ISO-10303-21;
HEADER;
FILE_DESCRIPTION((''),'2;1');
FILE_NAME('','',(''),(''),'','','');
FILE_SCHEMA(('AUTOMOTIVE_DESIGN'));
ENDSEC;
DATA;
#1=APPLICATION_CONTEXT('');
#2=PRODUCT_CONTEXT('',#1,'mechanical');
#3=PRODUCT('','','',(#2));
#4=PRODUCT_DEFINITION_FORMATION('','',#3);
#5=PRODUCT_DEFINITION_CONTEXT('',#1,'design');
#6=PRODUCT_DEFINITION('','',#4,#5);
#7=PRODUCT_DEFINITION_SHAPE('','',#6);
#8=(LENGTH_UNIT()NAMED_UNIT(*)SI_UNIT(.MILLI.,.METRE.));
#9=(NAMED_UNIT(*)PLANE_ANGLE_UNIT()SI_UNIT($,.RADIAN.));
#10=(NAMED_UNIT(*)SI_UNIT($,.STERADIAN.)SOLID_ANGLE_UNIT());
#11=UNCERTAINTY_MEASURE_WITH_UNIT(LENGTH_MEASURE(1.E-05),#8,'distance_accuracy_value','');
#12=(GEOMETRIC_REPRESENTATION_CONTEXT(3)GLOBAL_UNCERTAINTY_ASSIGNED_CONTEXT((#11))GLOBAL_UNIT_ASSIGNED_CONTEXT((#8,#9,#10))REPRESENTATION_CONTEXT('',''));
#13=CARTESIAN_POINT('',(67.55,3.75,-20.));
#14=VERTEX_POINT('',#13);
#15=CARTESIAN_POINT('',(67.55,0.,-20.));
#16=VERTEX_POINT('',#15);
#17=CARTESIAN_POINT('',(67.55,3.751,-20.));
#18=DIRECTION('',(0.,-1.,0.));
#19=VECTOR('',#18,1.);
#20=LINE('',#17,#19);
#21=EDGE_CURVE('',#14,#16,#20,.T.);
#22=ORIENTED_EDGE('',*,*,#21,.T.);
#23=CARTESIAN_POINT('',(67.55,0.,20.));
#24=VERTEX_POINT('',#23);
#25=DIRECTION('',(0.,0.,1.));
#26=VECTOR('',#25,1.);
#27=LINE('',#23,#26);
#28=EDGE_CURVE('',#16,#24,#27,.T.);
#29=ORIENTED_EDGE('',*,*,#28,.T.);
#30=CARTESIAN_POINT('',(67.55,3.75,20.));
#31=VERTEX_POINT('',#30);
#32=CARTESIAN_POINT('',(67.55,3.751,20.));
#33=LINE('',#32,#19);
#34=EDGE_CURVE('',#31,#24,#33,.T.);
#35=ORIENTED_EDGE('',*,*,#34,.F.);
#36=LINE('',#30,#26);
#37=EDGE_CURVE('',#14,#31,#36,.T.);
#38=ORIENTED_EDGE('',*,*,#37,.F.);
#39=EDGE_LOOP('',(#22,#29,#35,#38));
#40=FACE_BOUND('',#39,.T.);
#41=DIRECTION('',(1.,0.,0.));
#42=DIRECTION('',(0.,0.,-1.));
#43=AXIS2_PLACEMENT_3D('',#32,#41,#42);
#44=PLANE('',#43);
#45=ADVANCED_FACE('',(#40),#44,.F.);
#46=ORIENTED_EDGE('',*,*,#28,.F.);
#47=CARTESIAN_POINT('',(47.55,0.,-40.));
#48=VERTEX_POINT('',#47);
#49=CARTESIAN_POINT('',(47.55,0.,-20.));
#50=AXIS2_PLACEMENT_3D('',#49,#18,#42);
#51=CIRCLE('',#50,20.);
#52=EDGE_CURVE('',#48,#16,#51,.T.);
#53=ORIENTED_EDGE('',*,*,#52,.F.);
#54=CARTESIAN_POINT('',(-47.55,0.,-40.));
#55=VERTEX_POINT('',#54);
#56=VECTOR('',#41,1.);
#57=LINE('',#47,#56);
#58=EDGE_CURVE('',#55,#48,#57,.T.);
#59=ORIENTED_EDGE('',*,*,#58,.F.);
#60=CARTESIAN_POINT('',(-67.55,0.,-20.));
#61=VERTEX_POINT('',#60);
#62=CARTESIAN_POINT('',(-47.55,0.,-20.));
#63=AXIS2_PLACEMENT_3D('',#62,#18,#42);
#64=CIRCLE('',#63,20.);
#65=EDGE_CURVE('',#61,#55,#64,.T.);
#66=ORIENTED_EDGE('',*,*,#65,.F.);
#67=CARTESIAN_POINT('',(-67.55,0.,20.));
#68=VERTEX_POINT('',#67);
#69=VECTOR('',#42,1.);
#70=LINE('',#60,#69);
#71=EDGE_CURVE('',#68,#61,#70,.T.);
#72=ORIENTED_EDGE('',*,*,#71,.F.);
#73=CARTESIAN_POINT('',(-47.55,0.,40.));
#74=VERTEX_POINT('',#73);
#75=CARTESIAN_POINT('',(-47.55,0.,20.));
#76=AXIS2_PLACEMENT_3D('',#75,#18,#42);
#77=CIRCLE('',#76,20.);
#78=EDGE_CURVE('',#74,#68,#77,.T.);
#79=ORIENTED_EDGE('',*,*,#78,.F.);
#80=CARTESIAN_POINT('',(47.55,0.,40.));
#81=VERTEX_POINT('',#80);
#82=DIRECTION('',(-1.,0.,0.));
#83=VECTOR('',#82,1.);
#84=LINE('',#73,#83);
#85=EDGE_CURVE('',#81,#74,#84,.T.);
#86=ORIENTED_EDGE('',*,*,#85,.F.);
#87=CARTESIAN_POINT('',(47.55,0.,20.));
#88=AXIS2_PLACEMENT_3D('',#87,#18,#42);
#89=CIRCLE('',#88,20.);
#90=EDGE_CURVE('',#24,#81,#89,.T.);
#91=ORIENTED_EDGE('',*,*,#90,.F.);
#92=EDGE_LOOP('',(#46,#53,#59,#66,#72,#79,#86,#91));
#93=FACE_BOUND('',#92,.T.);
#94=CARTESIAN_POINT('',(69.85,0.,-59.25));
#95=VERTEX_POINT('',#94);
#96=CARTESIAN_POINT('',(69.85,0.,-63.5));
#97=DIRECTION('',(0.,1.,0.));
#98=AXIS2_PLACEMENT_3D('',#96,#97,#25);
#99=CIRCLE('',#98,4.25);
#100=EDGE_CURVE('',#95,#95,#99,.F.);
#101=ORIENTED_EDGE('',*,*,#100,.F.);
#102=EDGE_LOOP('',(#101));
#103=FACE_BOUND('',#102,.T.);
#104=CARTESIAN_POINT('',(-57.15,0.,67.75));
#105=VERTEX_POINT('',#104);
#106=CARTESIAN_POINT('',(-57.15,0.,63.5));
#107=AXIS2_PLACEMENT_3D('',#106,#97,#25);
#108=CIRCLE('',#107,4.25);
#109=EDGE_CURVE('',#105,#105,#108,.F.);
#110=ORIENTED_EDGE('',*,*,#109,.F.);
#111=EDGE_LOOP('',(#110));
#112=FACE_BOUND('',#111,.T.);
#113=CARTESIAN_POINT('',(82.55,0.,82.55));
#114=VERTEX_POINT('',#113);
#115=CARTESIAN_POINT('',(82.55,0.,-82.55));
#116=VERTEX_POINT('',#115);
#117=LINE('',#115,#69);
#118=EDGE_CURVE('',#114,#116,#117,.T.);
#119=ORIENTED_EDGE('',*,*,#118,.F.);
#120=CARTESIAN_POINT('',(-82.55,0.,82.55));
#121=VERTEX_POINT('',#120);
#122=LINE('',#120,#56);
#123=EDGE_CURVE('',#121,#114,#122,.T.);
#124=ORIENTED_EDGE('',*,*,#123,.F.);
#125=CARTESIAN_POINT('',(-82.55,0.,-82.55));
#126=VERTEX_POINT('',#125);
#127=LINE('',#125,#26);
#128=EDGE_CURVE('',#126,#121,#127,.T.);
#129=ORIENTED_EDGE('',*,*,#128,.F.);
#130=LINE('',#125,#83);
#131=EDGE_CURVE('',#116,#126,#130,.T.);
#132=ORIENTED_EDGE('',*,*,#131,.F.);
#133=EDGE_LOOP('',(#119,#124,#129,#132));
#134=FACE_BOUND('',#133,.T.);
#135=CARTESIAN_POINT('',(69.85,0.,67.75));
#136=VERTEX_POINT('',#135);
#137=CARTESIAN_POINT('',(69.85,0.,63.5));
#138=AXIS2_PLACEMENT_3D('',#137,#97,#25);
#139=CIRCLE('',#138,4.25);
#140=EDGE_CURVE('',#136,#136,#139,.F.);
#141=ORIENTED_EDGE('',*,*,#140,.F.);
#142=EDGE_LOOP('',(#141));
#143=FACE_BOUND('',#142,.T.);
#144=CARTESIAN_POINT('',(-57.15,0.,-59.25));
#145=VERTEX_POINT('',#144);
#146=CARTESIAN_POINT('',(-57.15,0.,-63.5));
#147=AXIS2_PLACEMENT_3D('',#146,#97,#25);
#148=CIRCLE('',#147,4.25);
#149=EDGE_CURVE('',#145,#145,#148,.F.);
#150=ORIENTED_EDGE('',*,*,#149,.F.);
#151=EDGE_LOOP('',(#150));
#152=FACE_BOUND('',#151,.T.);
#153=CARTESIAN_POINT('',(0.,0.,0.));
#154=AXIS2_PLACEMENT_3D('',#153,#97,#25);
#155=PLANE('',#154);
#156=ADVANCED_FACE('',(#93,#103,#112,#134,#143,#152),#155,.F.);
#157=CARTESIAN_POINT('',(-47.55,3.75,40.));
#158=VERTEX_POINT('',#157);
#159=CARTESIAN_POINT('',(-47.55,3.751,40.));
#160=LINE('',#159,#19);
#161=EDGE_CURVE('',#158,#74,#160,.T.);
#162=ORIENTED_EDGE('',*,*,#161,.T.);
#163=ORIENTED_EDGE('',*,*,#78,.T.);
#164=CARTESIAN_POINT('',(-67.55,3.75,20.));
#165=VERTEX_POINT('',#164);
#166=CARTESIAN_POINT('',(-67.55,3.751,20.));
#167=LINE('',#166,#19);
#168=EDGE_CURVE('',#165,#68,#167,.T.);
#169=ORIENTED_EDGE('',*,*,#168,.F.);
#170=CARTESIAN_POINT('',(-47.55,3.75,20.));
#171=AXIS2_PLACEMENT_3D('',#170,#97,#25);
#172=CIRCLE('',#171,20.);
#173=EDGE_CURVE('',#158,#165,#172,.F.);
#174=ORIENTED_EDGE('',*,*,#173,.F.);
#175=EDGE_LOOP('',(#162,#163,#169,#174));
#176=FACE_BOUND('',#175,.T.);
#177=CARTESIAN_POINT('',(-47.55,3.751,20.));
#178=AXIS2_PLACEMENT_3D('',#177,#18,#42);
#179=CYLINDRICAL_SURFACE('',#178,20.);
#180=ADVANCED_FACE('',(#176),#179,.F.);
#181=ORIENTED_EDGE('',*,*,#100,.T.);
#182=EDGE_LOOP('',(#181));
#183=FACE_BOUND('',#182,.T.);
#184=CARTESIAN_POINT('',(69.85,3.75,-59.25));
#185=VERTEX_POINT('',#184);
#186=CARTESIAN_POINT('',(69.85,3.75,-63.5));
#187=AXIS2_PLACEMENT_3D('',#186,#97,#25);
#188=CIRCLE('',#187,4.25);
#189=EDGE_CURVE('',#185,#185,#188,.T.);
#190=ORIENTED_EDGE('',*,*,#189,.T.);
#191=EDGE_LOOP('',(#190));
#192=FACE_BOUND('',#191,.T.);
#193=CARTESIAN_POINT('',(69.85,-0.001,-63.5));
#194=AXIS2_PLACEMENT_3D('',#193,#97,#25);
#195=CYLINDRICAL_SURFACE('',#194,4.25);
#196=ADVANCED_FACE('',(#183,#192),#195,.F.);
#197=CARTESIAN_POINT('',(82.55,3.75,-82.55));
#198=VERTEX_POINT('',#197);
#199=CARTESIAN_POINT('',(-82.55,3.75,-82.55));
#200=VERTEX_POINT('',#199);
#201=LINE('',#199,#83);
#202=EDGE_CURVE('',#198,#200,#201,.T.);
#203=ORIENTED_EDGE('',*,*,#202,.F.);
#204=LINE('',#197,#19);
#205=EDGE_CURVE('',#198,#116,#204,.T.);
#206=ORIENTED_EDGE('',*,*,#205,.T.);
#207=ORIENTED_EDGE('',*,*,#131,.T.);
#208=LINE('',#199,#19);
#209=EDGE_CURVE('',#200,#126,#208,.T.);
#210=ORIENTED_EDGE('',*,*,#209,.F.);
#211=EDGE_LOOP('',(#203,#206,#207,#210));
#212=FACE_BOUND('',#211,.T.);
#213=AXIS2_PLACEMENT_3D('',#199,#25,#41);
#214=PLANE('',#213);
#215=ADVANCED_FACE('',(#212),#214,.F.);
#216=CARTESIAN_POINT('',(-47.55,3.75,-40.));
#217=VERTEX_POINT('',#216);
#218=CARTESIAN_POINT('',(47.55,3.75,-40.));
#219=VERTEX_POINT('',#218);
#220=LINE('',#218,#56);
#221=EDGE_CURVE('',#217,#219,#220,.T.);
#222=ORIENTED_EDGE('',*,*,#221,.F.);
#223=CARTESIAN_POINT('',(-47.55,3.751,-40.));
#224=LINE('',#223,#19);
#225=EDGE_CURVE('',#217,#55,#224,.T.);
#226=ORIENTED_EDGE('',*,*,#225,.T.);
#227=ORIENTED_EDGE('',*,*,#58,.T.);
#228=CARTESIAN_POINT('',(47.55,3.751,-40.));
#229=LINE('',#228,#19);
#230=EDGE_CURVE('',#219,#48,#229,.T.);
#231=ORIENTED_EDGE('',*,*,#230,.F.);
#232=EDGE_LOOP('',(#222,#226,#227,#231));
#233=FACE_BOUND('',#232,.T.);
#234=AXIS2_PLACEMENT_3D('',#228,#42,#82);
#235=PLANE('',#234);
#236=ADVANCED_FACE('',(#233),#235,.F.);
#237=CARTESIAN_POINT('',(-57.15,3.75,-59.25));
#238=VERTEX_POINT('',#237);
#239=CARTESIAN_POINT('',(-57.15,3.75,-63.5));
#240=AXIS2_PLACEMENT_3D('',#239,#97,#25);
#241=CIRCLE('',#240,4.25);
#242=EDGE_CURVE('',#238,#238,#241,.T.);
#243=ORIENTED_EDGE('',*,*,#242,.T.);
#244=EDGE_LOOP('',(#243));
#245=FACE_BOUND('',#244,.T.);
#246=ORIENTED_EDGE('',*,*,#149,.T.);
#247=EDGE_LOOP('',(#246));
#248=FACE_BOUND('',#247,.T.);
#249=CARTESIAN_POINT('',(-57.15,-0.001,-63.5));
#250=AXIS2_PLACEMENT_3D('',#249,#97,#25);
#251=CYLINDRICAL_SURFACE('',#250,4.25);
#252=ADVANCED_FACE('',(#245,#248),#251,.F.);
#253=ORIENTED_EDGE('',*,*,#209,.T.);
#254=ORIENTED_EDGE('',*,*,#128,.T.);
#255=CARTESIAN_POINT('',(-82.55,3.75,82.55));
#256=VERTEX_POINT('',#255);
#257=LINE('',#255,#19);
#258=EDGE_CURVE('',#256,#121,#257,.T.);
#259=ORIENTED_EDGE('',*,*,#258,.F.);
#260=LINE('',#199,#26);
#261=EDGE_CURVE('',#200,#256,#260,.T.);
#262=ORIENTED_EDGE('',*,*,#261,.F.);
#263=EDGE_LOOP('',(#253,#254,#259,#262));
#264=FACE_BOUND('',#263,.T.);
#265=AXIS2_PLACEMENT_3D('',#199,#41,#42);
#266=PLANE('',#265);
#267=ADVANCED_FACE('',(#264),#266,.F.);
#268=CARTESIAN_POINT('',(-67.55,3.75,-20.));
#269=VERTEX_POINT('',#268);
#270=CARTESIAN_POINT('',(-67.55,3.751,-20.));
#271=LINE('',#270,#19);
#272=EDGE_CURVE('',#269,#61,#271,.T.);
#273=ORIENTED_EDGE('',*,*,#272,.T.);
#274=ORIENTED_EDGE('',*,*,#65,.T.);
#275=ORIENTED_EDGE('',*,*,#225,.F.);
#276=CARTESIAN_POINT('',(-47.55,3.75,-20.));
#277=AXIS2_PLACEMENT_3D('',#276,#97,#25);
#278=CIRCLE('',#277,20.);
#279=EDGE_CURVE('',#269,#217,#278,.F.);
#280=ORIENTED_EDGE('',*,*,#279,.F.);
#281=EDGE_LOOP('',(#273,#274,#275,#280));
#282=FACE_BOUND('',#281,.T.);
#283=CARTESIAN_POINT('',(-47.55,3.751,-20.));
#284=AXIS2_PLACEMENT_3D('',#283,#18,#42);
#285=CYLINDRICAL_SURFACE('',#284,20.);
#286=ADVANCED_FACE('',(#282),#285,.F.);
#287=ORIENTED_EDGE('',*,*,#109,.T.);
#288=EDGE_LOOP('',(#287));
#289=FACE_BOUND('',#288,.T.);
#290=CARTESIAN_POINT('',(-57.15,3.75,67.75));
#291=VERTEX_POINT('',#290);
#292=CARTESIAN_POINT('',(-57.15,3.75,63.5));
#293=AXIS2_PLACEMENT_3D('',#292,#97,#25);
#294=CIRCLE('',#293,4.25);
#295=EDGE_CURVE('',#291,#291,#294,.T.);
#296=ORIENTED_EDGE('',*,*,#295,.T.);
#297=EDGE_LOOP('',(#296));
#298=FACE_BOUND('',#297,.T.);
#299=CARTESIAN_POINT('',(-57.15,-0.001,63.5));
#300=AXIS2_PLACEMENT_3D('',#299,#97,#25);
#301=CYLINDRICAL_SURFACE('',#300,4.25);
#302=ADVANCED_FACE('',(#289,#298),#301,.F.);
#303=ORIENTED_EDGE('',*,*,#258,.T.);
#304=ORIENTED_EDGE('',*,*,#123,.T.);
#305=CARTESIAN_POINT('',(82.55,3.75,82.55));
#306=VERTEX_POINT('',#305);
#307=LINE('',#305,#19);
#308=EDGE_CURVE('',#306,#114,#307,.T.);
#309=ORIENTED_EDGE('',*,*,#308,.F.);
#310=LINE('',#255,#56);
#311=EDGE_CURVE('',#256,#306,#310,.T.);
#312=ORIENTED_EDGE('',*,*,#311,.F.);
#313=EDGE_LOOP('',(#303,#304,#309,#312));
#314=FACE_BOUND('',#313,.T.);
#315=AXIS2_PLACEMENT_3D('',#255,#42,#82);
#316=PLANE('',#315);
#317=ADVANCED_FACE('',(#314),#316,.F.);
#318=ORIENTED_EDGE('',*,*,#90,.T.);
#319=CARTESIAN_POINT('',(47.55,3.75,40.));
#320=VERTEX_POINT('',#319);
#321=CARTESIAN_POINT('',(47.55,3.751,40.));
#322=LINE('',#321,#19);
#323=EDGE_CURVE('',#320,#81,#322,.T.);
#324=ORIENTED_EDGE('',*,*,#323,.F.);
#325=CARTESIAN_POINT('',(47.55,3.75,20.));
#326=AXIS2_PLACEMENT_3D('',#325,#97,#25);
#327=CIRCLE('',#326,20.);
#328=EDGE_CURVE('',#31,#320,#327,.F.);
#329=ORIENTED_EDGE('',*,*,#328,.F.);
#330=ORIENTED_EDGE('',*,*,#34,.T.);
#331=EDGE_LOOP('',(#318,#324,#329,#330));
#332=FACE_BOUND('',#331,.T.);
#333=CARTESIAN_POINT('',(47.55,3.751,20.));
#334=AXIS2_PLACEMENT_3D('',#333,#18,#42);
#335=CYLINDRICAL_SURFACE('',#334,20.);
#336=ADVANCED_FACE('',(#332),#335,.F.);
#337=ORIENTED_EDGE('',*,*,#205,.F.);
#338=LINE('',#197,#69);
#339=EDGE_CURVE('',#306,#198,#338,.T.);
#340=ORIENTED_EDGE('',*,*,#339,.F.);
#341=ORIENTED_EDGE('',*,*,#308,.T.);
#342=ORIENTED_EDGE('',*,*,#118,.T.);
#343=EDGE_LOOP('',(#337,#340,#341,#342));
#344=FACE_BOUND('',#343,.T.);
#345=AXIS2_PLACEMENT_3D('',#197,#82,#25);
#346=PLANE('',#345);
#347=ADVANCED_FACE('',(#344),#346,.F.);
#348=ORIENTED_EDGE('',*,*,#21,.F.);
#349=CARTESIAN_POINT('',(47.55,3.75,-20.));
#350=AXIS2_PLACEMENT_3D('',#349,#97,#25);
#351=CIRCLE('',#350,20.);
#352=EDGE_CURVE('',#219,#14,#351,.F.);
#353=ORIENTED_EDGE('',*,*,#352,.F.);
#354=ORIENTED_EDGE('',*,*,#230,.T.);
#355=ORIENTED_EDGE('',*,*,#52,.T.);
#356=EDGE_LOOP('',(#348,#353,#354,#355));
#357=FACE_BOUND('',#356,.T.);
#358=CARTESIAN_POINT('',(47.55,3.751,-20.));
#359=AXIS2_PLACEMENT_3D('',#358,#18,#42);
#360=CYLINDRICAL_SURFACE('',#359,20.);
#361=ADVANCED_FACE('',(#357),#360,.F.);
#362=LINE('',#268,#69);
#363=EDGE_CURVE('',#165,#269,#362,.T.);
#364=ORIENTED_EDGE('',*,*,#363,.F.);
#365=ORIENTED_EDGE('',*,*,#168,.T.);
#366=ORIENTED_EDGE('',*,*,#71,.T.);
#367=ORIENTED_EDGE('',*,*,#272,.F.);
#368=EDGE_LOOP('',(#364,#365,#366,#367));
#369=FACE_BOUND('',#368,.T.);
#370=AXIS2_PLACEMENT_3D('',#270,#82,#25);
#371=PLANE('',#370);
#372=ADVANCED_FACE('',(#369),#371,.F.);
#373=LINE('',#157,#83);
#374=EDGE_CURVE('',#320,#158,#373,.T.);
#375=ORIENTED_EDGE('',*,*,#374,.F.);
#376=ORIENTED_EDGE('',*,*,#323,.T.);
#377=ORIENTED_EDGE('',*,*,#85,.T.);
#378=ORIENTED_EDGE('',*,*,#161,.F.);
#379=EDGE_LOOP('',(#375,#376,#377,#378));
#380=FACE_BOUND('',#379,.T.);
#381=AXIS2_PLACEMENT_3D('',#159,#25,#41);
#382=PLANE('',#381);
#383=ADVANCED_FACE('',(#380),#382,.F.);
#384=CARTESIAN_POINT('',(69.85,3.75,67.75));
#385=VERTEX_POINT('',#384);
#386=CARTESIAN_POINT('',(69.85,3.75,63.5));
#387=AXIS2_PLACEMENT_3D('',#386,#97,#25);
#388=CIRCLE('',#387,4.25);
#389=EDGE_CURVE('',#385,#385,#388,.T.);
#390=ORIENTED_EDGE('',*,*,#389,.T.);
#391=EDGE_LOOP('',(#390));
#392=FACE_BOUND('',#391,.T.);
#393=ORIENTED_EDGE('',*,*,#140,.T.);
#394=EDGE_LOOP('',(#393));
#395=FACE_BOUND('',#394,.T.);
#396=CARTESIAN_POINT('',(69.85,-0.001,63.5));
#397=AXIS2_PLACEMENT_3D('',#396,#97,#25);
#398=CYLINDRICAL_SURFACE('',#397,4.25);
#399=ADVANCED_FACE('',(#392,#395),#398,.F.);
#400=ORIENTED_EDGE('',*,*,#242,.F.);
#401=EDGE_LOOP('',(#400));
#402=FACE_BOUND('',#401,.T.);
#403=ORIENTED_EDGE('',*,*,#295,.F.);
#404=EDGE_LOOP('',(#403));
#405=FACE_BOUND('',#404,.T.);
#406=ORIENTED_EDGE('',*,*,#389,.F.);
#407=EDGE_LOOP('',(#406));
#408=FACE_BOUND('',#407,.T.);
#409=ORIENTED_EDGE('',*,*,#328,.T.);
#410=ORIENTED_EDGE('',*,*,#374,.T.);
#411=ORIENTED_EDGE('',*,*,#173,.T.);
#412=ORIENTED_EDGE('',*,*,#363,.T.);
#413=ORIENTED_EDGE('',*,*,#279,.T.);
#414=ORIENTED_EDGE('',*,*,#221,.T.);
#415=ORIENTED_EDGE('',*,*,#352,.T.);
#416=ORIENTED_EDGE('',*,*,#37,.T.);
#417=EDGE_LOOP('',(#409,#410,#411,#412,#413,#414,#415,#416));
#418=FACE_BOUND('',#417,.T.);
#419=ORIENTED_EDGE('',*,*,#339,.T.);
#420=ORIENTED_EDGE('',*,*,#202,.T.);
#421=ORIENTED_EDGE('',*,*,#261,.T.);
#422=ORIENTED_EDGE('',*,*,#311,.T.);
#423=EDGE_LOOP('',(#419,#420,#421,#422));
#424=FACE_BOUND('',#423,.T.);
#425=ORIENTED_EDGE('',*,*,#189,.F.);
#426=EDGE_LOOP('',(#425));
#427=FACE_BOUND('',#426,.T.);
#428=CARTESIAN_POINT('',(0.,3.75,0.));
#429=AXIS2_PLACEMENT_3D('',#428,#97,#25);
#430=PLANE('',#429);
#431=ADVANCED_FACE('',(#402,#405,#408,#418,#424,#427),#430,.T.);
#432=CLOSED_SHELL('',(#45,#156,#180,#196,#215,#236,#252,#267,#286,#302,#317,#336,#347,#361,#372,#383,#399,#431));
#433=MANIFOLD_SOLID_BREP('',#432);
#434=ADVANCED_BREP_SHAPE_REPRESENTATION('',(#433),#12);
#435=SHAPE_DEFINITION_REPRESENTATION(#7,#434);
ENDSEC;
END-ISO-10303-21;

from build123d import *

# Parameters (mm, degrees)
SKETCH1_W           = 165.1
SKETCH1_H           = 165.1
BOSS_EXTRUDE1_DEPTH = 3.75
CUT_EXTRUDE1_REACH  = 118.804
SKETCH2_R           = 4.25
CUT_EXTRUDE2_REACH  = 118.804


with BuildPart() as part:
    # Sketch1 → Boss-Extrude1 (new body)
    with BuildSketch(Plane(origin=(0, 0, 0), x_dir=(1, 0, 0), z_dir=(0, 1, 0))):
        Rectangle(SKETCH1_W, SKETCH1_H)
    extrude(amount=BOSS_EXTRUDE1_DEPTH)

    # Sketch2 → Cut-Extrude1 (cut, up to next)
    with BuildSketch(Plane(origin=(0, 3.75, 0), x_dir=(1, 0, 0), z_dir=(0, 1, 0)), mode=Mode.PRIVATE) as cut_extrude1_sk1:
        with Locations(Location((69.85, 63.5, 0), (0, 0, 270))):
            Circle(SKETCH2_R)
    cut_extrude1_tool1 = extrude(cut_extrude1_sk1.sketch, amount=-CUT_EXTRUDE1_REACH, mode=Mode.PRIVATE) & part.part
    # Sketch2 → Cut-Extrude1 (cut, up to next)
    with BuildSketch(Plane(origin=(0, 3.75, 0), x_dir=(1, 0, 0), z_dir=(0, 1, 0)), mode=Mode.PRIVATE) as cut_extrude1_sk2:
        with Locations(Location((-57.15, 63.5, 0), (0, 0, 270))):
            Circle(SKETCH2_R)
    cut_extrude1_tool2 = extrude(cut_extrude1_sk2.sketch, amount=-CUT_EXTRUDE1_REACH, mode=Mode.PRIVATE) & part.part
    # Sketch2 → Cut-Extrude1 (cut, up to next)
    with BuildSketch(Plane(origin=(0, 3.75, 0), x_dir=(1, 0, 0), z_dir=(0, 1, 0)), mode=Mode.PRIVATE) as cut_extrude1_sk3:
        with Locations(Location((-57.15, -63.5, 0), (0, 0, 270))):
            Circle(SKETCH2_R)
    cut_extrude1_tool3 = extrude(cut_extrude1_sk3.sketch, amount=-CUT_EXTRUDE1_REACH, mode=Mode.PRIVATE) & part.part
    # Sketch2 → Cut-Extrude1 (cut, up to next)
    with BuildSketch(Plane(origin=(0, 3.75, 0), x_dir=(1, 0, 0), z_dir=(0, 1, 0)), mode=Mode.PRIVATE) as cut_extrude1_sk4:
        with Locations(Location((69.85, -63.5, 0), (0, 0, 270))):
            Circle(SKETCH2_R)
    cut_extrude1_tool4 = extrude(cut_extrude1_sk4.sketch, amount=-CUT_EXTRUDE1_REACH, mode=Mode.PRIVATE) & part.part
    add(cut_extrude1_tool1.solids().sort_by_distance((69.85, 3.75, -63.5))[0], mode=Mode.SUBTRACT)
    add(cut_extrude1_tool2.solids().sort_by_distance((-57.15, 3.75, -63.5))[0], mode=Mode.SUBTRACT)
    add(cut_extrude1_tool3.solids().sort_by_distance((-57.15, 3.75, 63.5))[0], mode=Mode.SUBTRACT)
    add(cut_extrude1_tool4.solids().sort_by_distance((69.85, 3.75, 63.5))[0], mode=Mode.SUBTRACT)

    # Sketch3 → Cut-Extrude2 (cut, up to next)
    with BuildSketch(Plane.XZ, mode=Mode.PRIVATE) as cut_extrude2_sk1:
        with BuildLine():
            Line((-67.55, -20), (-67.55, 20))
            ThreePointArc((-67.55, 20), (-61.692135624, 34.142135624), (-47.55, 40))
            Line((-47.55, 40), (47.55, 40))
            ThreePointArc((47.55, 40), (61.692135624, 34.142135624), (67.55, 20))
            Line((67.55, 20), (67.55, -20))
            ThreePointArc((67.55, -20), (61.692135624, -34.142135624), (47.55, -40))
            Line((47.55, -40), (-47.55, -40))
            ThreePointArc((-47.55, -40), (-61.692135624, -34.142135624), (-67.55, -20))
        make_face()
    cut_extrude2_tool1 = extrude(cut_extrude2_sk1.sketch, amount=-CUT_EXTRUDE2_REACH, mode=Mode.PRIVATE) & part.part
    add(cut_extrude2_tool1.solids().sort_by_distance((0, 0, 0))[0], mode=Mode.SUBTRACT)


solid = part.part
